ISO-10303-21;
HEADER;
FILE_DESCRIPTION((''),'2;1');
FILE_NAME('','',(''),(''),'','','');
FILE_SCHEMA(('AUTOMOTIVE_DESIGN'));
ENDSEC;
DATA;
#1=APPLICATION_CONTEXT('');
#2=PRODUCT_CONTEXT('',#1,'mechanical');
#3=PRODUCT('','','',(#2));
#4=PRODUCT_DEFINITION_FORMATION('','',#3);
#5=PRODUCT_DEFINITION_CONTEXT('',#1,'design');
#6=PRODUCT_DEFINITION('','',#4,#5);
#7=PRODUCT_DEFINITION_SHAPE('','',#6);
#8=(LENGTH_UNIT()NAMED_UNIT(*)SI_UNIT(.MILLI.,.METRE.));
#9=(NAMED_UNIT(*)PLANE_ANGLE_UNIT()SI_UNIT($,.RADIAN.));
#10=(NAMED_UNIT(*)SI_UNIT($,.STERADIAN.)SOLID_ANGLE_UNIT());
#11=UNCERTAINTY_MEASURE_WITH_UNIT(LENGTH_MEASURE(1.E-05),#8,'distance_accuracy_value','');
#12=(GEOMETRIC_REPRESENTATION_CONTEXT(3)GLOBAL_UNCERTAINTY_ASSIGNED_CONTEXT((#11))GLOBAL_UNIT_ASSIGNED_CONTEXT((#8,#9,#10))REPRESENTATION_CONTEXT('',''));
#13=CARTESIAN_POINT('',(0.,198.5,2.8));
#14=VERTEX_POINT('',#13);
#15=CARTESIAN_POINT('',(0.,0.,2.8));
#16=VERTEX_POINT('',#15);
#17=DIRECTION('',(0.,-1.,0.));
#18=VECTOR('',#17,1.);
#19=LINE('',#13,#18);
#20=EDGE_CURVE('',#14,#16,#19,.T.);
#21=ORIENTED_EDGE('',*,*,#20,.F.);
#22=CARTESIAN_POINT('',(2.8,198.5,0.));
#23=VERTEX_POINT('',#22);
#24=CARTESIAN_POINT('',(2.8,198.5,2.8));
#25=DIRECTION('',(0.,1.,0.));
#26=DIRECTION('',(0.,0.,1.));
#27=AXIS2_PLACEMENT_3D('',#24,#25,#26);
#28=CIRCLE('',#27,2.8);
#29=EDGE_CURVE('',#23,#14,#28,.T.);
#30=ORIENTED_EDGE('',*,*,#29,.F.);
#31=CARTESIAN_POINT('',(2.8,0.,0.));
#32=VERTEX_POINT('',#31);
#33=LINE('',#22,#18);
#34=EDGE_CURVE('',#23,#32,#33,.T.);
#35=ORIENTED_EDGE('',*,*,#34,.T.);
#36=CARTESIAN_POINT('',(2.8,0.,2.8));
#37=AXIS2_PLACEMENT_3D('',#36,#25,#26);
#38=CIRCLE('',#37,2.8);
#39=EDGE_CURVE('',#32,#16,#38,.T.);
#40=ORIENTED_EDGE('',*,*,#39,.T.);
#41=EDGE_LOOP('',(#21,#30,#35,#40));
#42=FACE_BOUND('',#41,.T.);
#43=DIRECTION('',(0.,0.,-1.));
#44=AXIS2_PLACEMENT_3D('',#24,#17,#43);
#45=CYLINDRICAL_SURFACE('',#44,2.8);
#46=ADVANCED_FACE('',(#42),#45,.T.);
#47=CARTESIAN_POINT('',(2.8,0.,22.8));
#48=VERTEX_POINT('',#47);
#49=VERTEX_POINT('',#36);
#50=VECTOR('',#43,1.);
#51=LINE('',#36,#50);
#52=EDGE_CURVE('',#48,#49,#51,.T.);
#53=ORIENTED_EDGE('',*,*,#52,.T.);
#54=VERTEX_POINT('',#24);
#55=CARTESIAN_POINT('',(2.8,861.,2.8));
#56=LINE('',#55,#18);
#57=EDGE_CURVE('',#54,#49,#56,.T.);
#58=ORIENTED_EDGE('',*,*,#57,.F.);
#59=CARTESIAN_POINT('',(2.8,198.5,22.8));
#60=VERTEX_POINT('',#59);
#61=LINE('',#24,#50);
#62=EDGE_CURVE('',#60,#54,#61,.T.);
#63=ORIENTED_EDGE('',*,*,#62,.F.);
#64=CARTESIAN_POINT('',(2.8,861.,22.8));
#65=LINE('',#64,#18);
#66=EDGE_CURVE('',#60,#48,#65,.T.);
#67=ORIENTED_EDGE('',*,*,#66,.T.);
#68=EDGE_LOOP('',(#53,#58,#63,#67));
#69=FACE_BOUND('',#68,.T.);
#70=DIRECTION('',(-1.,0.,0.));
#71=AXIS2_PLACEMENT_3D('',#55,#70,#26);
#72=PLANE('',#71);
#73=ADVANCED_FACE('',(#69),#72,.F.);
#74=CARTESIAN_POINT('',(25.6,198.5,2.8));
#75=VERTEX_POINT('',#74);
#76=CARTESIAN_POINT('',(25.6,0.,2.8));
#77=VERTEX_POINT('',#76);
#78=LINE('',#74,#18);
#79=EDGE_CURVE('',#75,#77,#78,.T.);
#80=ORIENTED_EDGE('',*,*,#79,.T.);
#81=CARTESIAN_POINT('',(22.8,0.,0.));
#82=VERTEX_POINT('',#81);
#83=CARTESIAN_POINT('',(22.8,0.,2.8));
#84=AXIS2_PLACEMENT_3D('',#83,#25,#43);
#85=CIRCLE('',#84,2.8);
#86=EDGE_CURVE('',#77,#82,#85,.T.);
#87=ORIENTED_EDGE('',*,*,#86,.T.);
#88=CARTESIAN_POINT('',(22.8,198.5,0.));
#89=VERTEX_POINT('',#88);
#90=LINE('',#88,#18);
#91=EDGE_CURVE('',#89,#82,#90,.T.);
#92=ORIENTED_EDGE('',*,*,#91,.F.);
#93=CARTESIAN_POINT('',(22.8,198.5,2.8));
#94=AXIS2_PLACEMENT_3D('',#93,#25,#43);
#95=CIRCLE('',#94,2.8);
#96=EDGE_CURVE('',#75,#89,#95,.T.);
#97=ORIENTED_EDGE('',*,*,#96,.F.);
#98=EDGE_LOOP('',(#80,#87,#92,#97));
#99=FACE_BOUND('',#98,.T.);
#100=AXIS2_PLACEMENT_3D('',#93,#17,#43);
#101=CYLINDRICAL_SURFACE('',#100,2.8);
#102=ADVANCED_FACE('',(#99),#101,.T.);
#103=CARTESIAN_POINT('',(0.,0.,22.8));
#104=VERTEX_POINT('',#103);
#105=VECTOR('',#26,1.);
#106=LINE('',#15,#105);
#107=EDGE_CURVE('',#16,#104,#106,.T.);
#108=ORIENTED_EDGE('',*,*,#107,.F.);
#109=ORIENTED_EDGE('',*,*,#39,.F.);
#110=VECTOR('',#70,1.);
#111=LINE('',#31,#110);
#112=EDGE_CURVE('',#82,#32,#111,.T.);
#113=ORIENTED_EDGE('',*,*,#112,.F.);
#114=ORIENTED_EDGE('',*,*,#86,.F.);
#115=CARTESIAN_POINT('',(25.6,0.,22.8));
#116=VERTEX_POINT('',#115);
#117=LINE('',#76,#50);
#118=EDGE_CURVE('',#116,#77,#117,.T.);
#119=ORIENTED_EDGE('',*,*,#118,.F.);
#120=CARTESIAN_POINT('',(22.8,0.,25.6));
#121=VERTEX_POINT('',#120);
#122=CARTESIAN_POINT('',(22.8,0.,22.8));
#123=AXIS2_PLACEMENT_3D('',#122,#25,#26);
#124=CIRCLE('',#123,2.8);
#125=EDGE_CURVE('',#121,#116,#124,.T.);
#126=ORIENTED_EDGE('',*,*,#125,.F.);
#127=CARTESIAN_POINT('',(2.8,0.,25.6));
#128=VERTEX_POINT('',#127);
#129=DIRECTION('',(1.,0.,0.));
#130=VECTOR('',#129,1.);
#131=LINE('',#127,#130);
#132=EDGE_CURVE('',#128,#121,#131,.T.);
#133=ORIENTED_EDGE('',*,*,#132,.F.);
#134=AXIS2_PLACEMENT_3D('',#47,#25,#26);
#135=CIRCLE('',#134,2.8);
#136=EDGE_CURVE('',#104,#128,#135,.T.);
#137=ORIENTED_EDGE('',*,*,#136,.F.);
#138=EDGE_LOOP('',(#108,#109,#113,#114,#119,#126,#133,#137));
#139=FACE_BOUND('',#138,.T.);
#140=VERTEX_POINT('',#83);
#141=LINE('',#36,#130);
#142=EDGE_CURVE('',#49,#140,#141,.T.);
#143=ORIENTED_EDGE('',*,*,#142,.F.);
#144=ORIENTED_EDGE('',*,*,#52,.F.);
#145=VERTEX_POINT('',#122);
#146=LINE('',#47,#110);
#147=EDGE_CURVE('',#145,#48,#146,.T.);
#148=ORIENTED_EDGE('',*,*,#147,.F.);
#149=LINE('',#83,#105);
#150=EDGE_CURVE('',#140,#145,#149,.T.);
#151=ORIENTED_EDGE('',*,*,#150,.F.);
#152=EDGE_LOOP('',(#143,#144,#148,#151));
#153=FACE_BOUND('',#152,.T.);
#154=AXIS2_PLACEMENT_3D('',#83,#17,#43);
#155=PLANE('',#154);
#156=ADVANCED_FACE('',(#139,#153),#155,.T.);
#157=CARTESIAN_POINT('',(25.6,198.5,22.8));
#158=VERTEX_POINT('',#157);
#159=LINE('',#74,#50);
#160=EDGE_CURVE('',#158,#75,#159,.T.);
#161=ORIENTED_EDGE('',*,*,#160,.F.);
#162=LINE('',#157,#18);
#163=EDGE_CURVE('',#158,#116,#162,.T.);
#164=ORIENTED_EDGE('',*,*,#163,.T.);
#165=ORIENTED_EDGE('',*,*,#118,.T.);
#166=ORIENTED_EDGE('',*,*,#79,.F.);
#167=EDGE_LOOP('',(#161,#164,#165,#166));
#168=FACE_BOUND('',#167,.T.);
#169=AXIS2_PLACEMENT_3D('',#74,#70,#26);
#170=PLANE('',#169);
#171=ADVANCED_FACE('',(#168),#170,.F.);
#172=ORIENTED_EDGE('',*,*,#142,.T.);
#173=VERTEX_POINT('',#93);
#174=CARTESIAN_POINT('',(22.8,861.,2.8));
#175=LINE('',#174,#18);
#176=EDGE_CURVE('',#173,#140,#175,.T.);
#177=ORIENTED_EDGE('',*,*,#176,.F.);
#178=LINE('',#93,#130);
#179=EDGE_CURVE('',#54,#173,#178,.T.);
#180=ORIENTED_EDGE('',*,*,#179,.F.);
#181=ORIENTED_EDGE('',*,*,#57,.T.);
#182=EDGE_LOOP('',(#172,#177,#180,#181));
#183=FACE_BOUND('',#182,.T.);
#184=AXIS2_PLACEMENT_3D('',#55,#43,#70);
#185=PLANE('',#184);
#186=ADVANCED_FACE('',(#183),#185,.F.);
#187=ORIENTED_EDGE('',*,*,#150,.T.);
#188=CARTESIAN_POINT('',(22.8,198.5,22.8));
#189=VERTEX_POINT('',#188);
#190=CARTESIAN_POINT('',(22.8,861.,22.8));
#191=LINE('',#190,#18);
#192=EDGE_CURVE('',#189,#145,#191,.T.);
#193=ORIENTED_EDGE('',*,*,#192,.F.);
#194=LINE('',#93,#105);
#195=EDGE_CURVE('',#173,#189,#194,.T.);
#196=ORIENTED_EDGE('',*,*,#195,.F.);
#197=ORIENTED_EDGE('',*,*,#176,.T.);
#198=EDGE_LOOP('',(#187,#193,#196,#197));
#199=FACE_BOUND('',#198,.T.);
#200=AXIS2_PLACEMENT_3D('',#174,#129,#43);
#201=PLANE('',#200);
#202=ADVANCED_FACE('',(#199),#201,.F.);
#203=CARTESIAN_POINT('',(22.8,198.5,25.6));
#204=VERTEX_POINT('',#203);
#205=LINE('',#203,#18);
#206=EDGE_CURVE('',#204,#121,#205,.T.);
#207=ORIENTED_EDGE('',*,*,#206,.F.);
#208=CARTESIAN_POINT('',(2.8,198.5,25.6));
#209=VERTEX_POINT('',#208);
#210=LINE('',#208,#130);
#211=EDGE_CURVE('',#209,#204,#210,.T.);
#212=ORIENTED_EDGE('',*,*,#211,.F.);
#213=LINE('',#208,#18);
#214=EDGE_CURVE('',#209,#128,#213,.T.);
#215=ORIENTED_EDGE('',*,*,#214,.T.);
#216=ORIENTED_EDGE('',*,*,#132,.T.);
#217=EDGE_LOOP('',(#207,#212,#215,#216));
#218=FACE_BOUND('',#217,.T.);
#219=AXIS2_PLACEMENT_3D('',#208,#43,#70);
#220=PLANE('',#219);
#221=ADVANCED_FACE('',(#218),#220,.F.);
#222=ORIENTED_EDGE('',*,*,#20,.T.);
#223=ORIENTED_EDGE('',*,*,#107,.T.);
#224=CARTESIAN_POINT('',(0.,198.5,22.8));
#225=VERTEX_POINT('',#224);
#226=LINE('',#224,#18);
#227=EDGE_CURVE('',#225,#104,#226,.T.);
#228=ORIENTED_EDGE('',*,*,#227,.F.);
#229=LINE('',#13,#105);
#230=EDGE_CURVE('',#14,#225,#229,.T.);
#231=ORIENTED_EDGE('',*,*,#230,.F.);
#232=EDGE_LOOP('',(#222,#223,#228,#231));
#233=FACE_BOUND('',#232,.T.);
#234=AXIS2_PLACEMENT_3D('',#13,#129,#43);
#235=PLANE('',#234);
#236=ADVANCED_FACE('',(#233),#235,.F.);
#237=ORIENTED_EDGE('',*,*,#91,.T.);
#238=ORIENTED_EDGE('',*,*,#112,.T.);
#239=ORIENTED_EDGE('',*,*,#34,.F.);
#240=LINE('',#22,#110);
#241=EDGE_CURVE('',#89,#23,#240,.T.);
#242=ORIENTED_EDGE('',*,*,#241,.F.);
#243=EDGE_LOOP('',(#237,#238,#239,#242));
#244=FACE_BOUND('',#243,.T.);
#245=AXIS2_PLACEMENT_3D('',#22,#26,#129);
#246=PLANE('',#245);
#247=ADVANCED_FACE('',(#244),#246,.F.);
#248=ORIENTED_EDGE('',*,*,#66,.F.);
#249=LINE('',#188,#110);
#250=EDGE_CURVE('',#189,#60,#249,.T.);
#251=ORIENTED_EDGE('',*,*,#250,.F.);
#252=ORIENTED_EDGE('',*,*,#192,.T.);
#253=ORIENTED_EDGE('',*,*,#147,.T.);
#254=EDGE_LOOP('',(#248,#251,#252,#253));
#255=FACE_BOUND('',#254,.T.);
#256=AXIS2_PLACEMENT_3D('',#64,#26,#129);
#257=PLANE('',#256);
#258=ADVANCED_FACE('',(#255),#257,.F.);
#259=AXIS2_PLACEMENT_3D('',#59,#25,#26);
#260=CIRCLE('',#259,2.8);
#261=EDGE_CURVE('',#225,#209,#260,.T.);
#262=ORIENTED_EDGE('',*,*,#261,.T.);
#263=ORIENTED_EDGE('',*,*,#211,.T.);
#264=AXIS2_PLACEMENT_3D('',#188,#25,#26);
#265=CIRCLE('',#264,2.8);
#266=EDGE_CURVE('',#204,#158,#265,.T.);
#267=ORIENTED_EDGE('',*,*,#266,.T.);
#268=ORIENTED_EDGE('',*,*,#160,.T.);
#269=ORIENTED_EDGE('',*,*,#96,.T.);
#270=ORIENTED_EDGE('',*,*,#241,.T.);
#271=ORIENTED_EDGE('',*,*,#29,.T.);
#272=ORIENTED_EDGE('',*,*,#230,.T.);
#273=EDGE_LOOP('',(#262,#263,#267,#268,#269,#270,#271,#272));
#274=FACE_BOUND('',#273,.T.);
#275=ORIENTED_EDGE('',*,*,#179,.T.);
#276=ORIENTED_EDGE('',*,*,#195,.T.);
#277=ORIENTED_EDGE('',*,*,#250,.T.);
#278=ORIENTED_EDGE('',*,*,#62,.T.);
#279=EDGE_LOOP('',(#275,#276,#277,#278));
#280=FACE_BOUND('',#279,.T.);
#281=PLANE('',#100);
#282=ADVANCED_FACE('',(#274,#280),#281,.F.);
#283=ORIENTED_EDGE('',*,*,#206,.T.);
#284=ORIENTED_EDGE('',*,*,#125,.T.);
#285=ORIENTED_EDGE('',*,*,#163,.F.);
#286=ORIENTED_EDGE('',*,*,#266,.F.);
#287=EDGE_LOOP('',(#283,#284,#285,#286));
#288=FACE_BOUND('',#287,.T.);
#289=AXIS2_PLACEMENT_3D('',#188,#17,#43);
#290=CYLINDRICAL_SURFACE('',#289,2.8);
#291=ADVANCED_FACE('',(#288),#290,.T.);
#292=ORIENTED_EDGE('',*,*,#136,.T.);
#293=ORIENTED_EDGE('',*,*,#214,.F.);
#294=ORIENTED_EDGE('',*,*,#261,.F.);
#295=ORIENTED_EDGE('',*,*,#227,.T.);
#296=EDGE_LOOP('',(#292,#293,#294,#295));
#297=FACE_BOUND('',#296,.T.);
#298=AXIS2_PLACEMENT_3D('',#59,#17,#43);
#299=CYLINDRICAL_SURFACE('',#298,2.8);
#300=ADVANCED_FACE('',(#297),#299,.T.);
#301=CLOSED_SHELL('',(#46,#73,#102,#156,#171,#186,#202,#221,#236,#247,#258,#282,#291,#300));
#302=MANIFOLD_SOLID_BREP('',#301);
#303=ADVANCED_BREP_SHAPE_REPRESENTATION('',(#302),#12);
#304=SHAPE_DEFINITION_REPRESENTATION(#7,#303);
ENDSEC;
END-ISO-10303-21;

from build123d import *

# Parameters (mm, degrees)
BOSS_EXTRUDE1_DEPTH = 198.5
SKETCH3_W           = 20
SKETCH3_H           = 20
CUT_EXTRUDE1_DEPTH  = 861


with BuildPart() as part:
    # Sketch1 → Boss-Extrude1 (new body)
    with BuildSketch(Plane(origin=(0, 0, 0), x_dir=(1, 0, 0), z_dir=(0, 1, 0))):
        with BuildLine():
            Line((2.8, 0), (22.8, 0))
            ThreePointArc((22.8, 0), (24.779898987, -0.820101013), (25.6, -2.8))
            Line((25.6, -2.8), (25.6, -22.8))
            ThreePointArc((25.6, -22.8), (24.779898987, -24.779898987), (22.8, -25.6))
            Line((22.8, -25.6), (2.8, -25.6))
            ThreePointArc((2.8, -25.6), (0.820101013, -24.779898987), (0, -22.8))
            Line((0, -22.8), (0, -2.8))
            ThreePointArc((0, -2.8), (0.820101013, -0.820101013), (2.8, 0))
        make_face()
    extrude(amount=BOSS_EXTRUDE1_DEPTH)

    # Sketch3 → Cut-Extrude1 (cut)
    with BuildSketch(Plane(origin=(0, 0, 0), x_dir=(-1, 0, 0), z_dir=(0, -1, 0))):
        with Locations((-12.8, -12.8)):
            Rectangle(SKETCH3_W, SKETCH3_H)
    extrude(amount=-CUT_EXTRUDE1_DEPTH, mode=Mode.SUBTRACT)


solid = part.part
